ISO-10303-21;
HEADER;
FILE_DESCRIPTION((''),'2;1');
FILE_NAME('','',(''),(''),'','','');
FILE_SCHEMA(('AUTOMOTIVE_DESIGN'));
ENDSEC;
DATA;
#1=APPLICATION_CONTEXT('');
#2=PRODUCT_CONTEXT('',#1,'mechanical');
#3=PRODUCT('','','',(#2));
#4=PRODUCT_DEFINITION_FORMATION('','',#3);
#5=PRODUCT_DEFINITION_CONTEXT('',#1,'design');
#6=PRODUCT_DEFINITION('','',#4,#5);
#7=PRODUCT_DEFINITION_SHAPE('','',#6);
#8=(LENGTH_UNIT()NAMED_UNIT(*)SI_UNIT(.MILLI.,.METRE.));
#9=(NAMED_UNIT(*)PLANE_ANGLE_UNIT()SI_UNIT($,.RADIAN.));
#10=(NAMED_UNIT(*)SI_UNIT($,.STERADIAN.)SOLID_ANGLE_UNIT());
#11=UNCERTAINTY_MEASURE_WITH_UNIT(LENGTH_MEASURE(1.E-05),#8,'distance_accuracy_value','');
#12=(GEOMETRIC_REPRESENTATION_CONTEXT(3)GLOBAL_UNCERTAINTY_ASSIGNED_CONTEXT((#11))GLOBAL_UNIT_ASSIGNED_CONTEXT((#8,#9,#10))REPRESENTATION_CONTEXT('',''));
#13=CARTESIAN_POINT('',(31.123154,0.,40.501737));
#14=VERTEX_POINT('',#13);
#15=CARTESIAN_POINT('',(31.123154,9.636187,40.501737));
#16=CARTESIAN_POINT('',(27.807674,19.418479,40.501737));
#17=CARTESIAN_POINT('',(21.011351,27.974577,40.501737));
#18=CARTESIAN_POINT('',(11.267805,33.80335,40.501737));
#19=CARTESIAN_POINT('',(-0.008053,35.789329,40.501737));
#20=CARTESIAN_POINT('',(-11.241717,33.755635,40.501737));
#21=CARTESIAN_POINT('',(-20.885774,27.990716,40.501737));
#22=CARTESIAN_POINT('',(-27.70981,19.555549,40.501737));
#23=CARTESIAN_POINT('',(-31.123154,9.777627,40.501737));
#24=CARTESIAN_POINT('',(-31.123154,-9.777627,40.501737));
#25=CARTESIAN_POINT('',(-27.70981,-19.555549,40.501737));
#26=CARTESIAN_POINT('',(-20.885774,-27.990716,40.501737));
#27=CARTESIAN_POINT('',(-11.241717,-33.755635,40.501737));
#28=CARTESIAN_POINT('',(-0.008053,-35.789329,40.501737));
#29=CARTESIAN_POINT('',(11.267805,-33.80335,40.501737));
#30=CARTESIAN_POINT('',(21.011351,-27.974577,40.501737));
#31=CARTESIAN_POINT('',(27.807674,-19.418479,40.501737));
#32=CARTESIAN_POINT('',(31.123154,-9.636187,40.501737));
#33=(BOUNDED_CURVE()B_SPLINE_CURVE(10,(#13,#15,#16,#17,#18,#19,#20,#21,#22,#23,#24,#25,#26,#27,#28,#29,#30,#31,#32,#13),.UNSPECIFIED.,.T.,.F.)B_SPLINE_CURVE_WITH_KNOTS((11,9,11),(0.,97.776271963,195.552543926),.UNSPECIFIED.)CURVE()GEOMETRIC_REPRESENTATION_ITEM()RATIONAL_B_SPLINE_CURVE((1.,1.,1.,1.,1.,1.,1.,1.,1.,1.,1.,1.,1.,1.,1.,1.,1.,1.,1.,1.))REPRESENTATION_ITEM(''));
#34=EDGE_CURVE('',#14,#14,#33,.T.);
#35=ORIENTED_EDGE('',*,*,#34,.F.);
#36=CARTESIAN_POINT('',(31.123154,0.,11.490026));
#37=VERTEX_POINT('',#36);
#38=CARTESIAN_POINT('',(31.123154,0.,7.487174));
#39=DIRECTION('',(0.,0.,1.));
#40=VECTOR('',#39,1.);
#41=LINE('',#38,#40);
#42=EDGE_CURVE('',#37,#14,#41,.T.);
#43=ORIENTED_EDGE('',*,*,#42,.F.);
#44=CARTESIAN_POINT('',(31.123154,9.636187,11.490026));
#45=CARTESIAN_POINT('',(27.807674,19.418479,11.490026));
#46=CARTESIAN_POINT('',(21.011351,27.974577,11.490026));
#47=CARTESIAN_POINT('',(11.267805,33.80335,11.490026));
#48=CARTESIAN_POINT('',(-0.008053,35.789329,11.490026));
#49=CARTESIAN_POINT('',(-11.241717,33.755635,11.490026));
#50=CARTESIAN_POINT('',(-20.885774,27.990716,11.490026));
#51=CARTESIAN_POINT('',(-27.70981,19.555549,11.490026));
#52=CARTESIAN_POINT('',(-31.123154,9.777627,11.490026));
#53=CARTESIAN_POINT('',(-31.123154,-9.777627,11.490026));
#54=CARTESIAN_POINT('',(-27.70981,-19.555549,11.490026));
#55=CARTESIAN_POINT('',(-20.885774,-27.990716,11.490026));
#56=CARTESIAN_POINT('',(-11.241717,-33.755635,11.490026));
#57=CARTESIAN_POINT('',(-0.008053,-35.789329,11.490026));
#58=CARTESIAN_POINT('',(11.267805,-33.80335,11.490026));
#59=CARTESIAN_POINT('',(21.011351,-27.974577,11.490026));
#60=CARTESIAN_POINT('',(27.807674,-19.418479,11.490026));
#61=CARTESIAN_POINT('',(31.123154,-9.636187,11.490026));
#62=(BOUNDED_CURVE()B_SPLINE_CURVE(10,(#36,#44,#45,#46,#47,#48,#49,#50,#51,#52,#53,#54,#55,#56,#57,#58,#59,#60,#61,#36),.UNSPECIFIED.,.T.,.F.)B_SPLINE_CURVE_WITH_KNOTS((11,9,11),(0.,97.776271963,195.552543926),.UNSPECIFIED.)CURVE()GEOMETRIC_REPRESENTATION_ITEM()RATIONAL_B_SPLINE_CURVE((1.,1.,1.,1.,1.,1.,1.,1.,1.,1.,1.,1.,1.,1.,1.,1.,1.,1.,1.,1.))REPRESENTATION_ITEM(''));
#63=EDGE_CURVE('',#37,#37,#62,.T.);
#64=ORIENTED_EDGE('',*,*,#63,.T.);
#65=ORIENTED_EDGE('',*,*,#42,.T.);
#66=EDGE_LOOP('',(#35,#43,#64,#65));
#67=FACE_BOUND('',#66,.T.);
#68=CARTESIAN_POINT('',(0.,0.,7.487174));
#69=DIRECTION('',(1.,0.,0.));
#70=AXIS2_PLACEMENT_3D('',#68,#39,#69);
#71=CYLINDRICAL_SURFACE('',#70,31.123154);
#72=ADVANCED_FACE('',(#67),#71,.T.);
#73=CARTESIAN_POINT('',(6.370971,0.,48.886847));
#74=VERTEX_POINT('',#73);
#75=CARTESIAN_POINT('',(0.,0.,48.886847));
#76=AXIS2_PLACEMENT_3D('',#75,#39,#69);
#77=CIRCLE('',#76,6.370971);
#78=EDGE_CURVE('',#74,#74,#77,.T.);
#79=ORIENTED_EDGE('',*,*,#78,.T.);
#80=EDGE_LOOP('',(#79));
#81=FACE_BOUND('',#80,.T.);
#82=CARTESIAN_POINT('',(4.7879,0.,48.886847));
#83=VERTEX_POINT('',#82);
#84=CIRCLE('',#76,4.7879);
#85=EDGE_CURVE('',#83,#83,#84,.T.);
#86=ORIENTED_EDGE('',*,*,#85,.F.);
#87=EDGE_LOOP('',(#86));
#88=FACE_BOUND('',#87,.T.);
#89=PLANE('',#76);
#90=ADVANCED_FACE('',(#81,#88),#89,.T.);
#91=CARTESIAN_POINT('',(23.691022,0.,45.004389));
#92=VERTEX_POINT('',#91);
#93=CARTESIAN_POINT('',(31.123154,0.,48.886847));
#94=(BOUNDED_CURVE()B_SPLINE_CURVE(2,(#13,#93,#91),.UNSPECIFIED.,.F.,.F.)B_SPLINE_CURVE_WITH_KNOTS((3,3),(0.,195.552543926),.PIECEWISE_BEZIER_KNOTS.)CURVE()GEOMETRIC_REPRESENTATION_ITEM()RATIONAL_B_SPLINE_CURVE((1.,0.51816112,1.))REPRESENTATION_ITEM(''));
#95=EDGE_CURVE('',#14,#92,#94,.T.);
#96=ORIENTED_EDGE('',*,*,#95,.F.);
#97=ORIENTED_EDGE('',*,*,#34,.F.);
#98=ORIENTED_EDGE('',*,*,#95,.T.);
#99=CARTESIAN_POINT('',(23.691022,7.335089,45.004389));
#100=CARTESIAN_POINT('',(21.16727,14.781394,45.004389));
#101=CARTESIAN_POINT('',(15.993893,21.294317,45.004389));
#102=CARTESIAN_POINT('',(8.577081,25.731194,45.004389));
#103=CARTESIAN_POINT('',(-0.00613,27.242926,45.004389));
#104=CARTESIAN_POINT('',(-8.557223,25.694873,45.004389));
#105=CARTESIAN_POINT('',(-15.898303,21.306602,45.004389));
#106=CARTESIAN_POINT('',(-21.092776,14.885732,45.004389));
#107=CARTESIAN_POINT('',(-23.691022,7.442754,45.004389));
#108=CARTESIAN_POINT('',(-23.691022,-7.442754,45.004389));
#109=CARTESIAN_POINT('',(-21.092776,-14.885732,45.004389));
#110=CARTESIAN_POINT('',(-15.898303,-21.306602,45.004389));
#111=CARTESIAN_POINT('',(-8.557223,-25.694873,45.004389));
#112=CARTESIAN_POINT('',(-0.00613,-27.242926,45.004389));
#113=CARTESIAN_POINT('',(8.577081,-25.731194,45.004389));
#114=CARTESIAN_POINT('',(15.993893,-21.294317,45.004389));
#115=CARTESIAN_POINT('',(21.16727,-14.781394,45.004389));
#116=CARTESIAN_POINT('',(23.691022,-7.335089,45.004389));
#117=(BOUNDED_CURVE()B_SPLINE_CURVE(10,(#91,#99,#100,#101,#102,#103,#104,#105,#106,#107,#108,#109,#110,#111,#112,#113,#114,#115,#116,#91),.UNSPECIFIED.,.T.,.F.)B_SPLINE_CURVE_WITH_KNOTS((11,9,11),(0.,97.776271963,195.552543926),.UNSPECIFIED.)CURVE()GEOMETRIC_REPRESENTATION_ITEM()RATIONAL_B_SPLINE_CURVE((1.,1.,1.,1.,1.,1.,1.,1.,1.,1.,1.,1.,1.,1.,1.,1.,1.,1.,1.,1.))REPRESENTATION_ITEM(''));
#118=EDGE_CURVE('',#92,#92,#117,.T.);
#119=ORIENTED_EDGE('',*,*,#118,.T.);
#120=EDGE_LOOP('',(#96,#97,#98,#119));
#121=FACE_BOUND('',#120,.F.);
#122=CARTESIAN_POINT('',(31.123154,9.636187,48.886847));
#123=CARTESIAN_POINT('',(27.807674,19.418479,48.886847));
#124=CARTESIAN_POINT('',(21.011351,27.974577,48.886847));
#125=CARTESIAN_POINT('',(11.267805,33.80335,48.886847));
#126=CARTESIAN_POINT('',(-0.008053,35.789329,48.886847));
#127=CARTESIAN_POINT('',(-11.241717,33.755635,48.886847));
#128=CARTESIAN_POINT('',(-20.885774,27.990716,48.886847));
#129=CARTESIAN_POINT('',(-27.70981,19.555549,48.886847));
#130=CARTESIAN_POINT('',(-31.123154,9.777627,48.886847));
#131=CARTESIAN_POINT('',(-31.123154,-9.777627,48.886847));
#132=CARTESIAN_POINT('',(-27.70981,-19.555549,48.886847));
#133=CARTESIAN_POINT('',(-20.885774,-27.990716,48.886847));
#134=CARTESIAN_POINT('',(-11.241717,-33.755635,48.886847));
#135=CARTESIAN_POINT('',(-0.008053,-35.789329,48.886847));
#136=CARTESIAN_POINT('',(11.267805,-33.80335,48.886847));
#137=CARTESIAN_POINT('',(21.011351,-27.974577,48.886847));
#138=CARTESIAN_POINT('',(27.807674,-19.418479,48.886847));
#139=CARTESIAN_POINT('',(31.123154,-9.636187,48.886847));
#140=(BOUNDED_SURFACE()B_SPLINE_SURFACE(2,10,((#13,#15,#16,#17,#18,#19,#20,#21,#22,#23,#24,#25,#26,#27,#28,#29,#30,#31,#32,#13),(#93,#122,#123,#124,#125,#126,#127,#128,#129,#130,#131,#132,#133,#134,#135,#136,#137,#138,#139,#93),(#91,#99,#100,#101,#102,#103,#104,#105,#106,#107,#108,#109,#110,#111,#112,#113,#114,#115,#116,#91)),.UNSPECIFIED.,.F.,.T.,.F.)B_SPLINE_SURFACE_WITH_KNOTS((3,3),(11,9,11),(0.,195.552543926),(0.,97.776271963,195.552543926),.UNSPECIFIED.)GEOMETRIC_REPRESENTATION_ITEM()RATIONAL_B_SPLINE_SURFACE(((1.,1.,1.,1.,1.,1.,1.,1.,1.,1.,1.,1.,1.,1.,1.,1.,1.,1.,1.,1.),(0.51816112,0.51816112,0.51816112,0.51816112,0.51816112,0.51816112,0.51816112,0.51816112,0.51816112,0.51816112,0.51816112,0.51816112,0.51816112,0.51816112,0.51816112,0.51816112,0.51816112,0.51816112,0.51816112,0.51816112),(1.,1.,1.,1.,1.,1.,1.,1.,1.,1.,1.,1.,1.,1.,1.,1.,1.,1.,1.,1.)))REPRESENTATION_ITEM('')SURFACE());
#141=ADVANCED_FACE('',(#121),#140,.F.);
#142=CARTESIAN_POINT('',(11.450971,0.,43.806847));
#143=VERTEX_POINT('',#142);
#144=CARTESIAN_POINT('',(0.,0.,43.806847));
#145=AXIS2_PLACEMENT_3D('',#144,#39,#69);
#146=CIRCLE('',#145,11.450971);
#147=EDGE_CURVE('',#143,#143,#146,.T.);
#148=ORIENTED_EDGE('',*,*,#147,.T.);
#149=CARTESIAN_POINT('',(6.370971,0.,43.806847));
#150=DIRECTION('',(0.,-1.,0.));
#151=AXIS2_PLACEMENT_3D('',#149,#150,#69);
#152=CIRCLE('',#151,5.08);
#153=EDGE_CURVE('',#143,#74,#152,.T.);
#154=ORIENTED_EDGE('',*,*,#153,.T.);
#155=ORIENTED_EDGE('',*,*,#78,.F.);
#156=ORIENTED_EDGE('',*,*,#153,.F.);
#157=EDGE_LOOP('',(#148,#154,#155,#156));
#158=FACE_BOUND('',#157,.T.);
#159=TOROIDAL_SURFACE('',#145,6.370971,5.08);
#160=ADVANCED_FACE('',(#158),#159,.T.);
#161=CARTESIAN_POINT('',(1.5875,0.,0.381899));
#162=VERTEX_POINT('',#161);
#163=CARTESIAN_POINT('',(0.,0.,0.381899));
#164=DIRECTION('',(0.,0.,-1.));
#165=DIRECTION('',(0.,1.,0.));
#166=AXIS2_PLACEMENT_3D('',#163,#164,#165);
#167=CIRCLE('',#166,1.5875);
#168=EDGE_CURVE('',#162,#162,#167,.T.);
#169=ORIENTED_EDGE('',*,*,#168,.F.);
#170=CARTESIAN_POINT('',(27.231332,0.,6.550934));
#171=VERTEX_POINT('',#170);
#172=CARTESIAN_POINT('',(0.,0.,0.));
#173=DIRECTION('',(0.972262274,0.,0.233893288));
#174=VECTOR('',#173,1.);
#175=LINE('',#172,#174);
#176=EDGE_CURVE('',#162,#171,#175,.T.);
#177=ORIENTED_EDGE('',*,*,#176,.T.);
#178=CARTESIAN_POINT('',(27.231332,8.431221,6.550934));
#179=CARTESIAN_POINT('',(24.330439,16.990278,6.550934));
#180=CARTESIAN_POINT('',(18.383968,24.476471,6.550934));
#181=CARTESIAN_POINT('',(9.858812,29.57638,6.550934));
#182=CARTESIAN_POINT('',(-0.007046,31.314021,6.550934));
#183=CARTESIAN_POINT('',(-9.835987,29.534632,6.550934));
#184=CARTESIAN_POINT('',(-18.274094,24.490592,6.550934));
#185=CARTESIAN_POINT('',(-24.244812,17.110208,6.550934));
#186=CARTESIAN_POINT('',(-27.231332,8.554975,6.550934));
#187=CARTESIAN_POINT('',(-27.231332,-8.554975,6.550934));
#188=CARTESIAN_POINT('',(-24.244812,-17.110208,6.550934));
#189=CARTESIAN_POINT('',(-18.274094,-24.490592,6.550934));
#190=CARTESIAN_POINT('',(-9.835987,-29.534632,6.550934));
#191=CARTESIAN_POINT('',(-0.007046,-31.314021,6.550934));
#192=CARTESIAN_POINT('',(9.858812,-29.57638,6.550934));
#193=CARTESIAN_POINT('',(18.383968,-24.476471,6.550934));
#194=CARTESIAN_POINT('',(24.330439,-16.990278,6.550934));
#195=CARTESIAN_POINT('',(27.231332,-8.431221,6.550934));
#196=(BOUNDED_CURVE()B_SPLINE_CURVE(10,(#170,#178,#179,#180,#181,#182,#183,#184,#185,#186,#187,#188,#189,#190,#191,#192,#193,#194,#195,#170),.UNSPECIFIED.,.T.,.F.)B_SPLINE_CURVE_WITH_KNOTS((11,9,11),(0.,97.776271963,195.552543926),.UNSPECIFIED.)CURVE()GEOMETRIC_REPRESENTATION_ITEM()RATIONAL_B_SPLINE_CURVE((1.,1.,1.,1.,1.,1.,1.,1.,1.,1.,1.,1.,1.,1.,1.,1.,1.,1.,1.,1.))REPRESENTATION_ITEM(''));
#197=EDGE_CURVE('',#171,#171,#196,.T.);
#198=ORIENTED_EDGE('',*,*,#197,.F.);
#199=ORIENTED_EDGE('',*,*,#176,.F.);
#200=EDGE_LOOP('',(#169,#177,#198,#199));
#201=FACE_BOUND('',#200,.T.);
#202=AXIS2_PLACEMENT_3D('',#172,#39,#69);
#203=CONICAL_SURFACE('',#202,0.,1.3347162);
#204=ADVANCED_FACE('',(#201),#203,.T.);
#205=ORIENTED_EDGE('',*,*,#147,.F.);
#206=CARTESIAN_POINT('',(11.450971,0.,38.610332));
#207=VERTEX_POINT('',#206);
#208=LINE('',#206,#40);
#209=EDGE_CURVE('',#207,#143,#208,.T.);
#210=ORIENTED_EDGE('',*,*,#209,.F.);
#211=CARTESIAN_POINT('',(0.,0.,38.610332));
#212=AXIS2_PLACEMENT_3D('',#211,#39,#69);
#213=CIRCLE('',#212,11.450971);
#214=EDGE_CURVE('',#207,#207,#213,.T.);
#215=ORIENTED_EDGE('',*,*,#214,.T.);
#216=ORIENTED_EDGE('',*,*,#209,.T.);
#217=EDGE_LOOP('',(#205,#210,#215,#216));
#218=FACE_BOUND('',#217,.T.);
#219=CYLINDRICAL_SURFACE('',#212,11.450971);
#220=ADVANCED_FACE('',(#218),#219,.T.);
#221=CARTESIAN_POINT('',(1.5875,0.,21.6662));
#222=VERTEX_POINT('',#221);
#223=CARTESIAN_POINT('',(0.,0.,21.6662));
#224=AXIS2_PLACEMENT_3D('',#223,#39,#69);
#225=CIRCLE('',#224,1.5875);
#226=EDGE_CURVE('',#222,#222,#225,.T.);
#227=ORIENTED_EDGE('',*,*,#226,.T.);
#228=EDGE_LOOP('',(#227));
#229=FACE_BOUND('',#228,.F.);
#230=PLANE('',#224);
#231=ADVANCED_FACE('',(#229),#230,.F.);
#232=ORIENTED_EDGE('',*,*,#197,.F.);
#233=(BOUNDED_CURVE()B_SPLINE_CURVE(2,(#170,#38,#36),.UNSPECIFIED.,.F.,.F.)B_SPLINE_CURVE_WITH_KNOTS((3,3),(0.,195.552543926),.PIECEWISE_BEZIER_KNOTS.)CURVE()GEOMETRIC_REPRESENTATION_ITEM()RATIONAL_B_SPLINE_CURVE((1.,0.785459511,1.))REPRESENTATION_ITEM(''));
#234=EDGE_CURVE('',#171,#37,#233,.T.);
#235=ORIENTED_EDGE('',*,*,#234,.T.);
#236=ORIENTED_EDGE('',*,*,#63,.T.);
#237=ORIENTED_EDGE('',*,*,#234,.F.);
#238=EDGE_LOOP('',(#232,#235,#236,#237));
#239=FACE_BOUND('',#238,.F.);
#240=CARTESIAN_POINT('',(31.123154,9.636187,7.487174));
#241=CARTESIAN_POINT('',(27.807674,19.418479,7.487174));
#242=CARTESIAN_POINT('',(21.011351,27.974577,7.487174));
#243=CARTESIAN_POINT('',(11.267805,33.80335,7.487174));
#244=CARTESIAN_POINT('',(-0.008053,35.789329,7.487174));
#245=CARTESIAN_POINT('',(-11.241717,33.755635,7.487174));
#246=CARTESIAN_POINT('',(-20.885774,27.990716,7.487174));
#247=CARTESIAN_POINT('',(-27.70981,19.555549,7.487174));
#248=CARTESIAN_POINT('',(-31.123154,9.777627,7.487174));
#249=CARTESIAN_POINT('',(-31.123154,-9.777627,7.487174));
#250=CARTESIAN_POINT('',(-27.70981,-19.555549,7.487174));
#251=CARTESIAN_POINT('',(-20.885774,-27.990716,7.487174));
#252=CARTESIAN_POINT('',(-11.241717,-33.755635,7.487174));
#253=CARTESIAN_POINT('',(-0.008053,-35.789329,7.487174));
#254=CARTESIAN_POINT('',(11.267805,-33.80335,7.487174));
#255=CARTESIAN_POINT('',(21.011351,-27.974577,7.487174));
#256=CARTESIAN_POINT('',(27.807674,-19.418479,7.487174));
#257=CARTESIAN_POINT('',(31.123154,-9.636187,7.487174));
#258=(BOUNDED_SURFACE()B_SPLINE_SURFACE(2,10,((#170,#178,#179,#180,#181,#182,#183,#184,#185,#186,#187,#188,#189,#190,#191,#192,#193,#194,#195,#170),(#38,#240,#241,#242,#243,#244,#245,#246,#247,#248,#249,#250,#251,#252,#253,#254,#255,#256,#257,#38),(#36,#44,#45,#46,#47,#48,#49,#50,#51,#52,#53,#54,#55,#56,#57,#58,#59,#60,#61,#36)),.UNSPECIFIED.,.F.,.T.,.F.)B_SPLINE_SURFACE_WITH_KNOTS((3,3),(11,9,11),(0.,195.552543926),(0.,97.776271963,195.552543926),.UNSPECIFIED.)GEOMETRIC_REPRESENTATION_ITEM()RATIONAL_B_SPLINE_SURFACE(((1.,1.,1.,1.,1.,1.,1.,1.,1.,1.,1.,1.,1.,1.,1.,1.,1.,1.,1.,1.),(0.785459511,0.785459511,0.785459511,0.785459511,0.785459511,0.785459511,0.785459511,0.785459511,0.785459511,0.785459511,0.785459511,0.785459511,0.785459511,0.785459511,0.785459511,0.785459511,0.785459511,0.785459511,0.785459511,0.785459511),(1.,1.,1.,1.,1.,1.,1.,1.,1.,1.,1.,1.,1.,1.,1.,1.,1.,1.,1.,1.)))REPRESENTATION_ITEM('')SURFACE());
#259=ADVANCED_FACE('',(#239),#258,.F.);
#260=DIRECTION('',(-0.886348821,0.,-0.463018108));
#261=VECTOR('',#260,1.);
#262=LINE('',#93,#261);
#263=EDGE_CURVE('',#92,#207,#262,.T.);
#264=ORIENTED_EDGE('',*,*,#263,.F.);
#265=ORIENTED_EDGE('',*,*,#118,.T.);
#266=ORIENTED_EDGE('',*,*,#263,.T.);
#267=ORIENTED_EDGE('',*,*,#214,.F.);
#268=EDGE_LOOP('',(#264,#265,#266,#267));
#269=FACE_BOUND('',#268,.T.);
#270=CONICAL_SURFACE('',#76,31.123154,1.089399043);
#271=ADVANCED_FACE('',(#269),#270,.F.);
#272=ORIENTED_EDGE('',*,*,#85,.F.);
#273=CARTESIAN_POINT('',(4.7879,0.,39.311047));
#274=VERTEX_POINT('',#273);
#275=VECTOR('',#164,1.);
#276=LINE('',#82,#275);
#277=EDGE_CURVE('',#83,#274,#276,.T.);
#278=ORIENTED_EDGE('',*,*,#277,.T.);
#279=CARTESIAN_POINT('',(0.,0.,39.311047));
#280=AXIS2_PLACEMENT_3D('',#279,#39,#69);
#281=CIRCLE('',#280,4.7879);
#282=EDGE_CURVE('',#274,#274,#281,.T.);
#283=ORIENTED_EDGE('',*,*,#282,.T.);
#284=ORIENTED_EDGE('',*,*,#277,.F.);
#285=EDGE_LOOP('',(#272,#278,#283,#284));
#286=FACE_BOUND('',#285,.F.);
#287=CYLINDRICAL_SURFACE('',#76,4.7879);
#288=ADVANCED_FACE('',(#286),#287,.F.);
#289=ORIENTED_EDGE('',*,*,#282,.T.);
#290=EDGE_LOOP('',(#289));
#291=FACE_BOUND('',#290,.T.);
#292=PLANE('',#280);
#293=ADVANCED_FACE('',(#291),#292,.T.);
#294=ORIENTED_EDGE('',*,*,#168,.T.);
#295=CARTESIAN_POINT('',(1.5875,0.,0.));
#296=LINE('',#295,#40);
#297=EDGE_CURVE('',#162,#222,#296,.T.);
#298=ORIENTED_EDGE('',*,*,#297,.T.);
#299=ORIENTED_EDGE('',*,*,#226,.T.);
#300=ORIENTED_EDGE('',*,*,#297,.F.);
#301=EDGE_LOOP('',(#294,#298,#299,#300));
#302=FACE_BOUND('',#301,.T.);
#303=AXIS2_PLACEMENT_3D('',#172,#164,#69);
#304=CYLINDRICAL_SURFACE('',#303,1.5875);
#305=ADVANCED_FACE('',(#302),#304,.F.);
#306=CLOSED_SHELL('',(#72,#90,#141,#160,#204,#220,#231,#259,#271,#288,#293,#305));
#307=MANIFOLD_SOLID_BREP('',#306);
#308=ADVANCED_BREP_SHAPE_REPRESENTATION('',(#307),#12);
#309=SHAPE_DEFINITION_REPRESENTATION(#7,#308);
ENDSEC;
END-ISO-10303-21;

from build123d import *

# Parameters (mm, degrees)
F2_R     = 4.7879
F3_DEPTH = 9.5758
F4_R     = 5.08
F5_R     = 1.5875
F6_DEPTH = 21.6662


with BuildPart() as f1:
    # F0 (on Front) → F1 (revolve)
    with BuildSketch(Plane.XZ):
        Polygon((0, 48.886847), (0, 0), (31.123154, 7.487174), (31.123154, 48.886847), (11.450971, 38.610332), (11.450971, 48.886847), align=None)
    revolve(axis=Axis((0, 0, 24.443423), (0, 0, 1)))

    # F2 (on face) → F3 (cut)
    with BuildSketch(Plane.XY.offset(48.886847)):
        Circle(F2_R)
    extrude(amount=-F3_DEPTH, mode=Mode.SUBTRACT)

    # F4
    f4_edges = [f1.edges().sort_by_distance(p)[0] for p in [
        (-31.123154, 0, 7.487174),
        (-31.123154, 0, 48.886847),
        (31.123154, 0, 28.18701),
        (-11.450971, 0, 48.886847),
    ]]
    fillet(f4_edges, radius=F4_R)

    # F5 (on Top) → F6 (cut)
    with BuildSketch(Plane.XY):
        Circle(F5_R)
    extrude(amount=F6_DEPTH, mode=Mode.SUBTRACT)


solid = f1.part
